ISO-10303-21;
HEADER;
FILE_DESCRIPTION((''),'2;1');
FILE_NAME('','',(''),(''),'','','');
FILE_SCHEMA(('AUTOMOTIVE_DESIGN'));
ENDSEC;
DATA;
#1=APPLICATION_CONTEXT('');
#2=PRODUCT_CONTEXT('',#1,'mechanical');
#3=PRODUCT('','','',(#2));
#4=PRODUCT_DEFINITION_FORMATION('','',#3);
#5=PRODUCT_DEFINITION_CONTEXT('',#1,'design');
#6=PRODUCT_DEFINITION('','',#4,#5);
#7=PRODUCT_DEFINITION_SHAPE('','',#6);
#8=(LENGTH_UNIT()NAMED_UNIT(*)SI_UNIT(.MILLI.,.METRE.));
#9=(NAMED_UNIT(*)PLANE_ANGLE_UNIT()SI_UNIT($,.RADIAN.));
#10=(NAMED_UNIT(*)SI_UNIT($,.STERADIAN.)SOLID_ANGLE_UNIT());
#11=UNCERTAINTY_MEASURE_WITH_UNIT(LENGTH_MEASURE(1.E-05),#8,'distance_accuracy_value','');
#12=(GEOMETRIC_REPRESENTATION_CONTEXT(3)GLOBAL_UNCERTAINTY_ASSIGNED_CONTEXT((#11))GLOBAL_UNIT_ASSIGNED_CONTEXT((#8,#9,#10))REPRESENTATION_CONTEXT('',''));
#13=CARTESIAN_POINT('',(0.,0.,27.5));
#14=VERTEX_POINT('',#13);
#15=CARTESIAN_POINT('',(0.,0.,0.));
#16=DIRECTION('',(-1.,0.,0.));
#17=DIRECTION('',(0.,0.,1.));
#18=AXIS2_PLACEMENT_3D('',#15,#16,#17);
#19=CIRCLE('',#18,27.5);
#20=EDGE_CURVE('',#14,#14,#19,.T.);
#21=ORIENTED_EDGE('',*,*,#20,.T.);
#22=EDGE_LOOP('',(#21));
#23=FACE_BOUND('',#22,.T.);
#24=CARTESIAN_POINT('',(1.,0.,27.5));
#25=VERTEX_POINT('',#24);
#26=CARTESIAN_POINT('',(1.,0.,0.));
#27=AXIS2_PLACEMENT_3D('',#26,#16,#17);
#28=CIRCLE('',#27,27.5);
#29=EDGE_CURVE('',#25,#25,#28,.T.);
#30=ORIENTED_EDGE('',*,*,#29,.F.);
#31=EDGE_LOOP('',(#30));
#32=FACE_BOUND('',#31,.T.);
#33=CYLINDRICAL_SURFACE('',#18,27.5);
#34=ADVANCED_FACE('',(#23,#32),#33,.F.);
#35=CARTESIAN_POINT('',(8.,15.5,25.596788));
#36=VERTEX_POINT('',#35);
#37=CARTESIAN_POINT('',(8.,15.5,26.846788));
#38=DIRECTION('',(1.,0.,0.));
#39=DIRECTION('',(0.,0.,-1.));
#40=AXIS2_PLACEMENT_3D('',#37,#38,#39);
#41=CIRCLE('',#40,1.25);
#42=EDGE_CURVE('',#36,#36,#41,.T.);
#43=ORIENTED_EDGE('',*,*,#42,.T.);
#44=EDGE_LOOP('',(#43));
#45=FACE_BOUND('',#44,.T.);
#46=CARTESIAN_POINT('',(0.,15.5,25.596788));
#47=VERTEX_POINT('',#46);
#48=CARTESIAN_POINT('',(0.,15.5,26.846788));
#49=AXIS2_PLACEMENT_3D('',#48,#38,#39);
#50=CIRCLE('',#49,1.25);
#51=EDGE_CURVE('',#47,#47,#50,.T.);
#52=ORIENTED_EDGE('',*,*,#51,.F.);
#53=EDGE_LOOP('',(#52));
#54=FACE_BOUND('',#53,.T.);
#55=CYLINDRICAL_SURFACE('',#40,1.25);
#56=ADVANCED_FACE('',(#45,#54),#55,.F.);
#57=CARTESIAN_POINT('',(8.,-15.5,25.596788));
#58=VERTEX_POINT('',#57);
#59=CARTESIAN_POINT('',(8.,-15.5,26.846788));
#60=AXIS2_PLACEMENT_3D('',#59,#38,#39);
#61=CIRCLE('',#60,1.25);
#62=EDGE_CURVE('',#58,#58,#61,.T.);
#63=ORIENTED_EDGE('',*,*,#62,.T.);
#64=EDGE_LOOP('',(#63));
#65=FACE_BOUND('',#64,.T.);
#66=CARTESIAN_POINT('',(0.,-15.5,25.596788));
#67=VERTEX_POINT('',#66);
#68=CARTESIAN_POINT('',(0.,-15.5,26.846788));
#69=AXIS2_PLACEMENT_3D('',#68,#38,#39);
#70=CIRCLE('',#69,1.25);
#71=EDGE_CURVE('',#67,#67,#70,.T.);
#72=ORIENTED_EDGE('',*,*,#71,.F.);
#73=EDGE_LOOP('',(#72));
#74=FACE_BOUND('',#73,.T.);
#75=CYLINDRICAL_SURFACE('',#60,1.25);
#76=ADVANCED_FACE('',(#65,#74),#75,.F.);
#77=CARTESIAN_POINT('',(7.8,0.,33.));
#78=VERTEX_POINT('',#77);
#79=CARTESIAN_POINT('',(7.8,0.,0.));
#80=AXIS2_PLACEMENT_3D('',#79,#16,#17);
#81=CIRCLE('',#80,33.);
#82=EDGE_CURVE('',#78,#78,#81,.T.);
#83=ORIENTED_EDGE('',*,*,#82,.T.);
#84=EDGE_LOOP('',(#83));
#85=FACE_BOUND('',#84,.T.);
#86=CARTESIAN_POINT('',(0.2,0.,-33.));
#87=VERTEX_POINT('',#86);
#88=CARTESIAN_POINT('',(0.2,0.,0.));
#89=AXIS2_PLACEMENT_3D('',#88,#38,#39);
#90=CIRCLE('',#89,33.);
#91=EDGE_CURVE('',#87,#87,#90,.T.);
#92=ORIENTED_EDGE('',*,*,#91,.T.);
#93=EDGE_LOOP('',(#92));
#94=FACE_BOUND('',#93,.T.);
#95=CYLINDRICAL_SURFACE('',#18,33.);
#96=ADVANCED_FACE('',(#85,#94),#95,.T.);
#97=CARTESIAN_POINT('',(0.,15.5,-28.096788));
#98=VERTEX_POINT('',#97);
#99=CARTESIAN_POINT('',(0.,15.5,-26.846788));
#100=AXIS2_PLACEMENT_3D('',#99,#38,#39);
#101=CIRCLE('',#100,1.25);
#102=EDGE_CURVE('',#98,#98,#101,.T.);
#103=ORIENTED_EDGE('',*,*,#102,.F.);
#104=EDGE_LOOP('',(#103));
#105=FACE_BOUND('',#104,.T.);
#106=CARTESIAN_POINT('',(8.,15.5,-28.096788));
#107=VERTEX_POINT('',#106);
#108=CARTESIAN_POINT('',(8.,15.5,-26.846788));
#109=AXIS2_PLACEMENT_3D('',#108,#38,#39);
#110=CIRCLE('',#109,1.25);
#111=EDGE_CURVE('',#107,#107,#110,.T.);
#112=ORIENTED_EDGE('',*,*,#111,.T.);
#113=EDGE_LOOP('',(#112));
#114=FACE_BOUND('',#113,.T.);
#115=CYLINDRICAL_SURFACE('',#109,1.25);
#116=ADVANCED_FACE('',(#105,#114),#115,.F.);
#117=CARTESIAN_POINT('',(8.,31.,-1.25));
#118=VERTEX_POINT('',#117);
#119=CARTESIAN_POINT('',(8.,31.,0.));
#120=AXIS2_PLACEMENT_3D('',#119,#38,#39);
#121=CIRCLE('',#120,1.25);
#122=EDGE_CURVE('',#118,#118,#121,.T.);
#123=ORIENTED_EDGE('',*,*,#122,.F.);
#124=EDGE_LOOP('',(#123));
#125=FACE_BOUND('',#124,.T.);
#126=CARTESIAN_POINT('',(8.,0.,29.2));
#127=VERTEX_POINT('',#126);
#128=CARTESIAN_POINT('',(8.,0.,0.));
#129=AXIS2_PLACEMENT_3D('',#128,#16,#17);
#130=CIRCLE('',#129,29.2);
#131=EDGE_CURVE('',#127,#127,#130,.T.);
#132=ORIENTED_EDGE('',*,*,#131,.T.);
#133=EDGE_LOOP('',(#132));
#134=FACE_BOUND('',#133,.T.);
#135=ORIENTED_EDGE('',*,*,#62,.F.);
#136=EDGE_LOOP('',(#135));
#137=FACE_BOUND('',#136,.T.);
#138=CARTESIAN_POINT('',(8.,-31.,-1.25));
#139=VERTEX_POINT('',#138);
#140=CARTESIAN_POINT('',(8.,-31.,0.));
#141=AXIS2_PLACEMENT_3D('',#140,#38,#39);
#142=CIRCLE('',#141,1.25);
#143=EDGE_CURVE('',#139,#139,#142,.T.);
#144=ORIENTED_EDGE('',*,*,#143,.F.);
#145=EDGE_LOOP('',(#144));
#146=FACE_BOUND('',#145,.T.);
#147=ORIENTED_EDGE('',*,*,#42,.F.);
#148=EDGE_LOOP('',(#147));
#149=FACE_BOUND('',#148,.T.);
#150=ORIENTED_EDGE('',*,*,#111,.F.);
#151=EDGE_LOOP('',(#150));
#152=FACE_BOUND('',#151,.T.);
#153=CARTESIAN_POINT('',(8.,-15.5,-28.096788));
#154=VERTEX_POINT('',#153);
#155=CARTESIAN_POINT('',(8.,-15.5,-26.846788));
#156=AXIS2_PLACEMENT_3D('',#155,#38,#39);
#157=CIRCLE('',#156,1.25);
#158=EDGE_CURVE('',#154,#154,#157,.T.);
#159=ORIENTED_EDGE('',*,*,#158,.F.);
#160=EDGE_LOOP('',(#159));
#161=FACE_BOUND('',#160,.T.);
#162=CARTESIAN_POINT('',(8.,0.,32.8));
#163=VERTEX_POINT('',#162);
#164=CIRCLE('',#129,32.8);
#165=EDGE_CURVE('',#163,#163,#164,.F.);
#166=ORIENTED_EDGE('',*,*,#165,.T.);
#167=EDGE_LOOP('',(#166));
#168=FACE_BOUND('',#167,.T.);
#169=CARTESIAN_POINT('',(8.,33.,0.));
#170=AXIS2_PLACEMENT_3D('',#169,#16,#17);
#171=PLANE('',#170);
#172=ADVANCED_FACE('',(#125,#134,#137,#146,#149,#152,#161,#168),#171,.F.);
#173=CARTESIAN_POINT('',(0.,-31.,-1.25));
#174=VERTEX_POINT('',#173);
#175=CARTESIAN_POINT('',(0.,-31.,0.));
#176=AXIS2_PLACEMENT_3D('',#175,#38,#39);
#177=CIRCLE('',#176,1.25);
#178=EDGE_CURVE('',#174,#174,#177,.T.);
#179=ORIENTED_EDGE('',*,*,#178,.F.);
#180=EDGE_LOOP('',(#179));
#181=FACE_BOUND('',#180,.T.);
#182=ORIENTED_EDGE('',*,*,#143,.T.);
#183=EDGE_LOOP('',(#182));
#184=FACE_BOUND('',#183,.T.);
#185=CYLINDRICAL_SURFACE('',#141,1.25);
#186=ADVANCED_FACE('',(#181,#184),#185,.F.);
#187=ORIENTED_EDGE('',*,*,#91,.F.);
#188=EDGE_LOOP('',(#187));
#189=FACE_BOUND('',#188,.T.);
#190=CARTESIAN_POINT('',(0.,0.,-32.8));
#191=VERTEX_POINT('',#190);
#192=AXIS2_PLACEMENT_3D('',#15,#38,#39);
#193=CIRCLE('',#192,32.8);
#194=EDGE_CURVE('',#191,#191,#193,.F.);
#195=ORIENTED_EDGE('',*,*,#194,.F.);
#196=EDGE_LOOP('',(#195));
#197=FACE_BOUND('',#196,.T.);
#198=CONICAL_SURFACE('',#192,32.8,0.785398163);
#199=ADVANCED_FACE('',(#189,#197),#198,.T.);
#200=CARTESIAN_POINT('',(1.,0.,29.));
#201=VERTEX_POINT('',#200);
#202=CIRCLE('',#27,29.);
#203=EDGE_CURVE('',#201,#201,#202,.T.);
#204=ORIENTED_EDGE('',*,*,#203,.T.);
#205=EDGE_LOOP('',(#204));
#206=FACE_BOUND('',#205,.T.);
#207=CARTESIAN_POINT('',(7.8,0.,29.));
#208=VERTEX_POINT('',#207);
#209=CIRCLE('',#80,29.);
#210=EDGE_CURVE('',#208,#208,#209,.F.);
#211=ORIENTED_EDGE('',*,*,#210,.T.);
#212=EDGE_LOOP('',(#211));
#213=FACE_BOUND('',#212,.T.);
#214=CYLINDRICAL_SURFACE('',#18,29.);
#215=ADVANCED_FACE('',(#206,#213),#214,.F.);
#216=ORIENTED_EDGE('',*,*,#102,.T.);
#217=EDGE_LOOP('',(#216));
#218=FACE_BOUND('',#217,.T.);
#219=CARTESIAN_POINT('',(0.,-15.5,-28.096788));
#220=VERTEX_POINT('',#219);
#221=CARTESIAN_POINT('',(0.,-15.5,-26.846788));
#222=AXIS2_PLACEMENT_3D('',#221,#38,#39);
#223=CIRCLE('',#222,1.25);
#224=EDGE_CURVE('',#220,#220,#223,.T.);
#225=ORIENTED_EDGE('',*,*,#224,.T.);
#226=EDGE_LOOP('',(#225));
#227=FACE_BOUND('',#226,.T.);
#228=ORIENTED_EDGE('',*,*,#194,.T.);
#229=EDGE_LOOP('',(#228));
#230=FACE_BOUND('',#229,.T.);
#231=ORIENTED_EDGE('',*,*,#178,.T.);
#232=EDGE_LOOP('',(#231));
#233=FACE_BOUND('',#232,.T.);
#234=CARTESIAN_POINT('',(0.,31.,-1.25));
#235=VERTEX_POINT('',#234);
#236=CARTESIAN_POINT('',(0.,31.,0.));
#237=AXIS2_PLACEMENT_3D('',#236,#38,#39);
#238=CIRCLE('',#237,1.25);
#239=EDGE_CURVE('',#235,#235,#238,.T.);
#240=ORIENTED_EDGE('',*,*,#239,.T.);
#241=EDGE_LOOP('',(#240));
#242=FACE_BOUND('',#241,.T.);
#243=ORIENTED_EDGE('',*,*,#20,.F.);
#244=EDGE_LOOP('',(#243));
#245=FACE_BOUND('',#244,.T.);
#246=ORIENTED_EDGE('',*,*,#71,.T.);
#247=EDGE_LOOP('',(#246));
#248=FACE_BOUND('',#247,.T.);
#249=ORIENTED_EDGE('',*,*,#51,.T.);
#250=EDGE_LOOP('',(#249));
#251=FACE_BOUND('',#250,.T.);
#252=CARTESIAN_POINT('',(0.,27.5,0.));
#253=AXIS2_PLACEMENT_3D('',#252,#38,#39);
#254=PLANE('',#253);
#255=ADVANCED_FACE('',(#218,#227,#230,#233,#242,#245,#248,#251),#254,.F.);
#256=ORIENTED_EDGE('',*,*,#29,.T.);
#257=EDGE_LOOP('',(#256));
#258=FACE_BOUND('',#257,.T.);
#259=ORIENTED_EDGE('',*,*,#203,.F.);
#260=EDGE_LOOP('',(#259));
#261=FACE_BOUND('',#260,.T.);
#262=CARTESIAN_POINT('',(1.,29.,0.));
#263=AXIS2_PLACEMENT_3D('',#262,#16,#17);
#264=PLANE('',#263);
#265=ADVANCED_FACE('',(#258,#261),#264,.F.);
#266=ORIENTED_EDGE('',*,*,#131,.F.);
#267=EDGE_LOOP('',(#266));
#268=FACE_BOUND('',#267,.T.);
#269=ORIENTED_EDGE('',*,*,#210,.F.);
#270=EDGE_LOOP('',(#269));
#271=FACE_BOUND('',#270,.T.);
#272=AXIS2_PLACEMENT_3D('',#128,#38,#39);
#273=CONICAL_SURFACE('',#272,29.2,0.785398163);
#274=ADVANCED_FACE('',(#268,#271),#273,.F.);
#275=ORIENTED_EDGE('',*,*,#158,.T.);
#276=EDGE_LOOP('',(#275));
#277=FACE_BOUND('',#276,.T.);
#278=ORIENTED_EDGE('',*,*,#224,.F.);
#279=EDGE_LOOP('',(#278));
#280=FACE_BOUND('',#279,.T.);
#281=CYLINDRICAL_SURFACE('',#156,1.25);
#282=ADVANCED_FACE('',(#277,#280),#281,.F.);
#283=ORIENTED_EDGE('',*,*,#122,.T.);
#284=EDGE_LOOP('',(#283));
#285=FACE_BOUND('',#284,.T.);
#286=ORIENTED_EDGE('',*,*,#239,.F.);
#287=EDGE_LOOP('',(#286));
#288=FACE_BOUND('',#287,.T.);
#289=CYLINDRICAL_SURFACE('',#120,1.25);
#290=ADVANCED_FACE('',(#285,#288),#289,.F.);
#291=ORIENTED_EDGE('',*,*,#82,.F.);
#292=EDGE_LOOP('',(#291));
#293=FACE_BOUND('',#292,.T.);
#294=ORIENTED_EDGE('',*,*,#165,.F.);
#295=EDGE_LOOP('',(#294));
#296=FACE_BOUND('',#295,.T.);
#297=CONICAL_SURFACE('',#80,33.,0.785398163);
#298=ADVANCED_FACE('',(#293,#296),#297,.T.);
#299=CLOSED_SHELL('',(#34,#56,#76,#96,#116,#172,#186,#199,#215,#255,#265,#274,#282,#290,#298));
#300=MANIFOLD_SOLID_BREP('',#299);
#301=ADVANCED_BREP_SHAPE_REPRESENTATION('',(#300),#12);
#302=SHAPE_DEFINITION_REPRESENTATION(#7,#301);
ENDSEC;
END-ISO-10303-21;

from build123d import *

# Parameters (mm, degrees)
HOLE_WIZARD_M3_1_D       = 2.5
PATTERN_CIRCULAR_1_COUNT = 6
CHAMFER_1_SIZE           = 0.2


with BuildPart() as part:
    # 草图1 → 旋转1 (revolve)
    with BuildSketch(Plane.XY):
        Polygon((0, 27.5), (0, 33), (8, 33), (8, 29), (1, 29), (1, 27.5), align=None)
    revolve(axis=Axis((0, 0, 0), (1, 0, 0)))

    # M3 螺纹孔1 (through all)
    with Locations(Plane(origin=(8, 0, 0), x_dir=(0, 0, -1), z_dir=(1, 0, 0))):
        with Locations((0, 31)):
            hole_wizard_m3_1 = Hole(HOLE_WIZARD_M3_1_D / 2)

    # 阵列(圆周)1: M3 螺纹孔1 ×6 about axis
    pattern_circular_1_axis = Axis((0, 0, 0), (1, 0, 0))
    for i in range(1, PATTERN_CIRCULAR_1_COUNT):
        add(hole_wizard_m3_1.rotate(pattern_circular_1_axis, i * 360 / PATTERN_CIRCULAR_1_COUNT), mode=Mode.SUBTRACT)

    # 倒角1
    chamfer_1_edges = [part.edges().sort_by_distance(p)[0] for p in [
        (8, -29, 0),
        (8, -33, 0),
        (0, -33, 0),
    ]]
    chamfer(chamfer_1_edges, length=CHAMFER_1_SIZE)


solid = part.part
